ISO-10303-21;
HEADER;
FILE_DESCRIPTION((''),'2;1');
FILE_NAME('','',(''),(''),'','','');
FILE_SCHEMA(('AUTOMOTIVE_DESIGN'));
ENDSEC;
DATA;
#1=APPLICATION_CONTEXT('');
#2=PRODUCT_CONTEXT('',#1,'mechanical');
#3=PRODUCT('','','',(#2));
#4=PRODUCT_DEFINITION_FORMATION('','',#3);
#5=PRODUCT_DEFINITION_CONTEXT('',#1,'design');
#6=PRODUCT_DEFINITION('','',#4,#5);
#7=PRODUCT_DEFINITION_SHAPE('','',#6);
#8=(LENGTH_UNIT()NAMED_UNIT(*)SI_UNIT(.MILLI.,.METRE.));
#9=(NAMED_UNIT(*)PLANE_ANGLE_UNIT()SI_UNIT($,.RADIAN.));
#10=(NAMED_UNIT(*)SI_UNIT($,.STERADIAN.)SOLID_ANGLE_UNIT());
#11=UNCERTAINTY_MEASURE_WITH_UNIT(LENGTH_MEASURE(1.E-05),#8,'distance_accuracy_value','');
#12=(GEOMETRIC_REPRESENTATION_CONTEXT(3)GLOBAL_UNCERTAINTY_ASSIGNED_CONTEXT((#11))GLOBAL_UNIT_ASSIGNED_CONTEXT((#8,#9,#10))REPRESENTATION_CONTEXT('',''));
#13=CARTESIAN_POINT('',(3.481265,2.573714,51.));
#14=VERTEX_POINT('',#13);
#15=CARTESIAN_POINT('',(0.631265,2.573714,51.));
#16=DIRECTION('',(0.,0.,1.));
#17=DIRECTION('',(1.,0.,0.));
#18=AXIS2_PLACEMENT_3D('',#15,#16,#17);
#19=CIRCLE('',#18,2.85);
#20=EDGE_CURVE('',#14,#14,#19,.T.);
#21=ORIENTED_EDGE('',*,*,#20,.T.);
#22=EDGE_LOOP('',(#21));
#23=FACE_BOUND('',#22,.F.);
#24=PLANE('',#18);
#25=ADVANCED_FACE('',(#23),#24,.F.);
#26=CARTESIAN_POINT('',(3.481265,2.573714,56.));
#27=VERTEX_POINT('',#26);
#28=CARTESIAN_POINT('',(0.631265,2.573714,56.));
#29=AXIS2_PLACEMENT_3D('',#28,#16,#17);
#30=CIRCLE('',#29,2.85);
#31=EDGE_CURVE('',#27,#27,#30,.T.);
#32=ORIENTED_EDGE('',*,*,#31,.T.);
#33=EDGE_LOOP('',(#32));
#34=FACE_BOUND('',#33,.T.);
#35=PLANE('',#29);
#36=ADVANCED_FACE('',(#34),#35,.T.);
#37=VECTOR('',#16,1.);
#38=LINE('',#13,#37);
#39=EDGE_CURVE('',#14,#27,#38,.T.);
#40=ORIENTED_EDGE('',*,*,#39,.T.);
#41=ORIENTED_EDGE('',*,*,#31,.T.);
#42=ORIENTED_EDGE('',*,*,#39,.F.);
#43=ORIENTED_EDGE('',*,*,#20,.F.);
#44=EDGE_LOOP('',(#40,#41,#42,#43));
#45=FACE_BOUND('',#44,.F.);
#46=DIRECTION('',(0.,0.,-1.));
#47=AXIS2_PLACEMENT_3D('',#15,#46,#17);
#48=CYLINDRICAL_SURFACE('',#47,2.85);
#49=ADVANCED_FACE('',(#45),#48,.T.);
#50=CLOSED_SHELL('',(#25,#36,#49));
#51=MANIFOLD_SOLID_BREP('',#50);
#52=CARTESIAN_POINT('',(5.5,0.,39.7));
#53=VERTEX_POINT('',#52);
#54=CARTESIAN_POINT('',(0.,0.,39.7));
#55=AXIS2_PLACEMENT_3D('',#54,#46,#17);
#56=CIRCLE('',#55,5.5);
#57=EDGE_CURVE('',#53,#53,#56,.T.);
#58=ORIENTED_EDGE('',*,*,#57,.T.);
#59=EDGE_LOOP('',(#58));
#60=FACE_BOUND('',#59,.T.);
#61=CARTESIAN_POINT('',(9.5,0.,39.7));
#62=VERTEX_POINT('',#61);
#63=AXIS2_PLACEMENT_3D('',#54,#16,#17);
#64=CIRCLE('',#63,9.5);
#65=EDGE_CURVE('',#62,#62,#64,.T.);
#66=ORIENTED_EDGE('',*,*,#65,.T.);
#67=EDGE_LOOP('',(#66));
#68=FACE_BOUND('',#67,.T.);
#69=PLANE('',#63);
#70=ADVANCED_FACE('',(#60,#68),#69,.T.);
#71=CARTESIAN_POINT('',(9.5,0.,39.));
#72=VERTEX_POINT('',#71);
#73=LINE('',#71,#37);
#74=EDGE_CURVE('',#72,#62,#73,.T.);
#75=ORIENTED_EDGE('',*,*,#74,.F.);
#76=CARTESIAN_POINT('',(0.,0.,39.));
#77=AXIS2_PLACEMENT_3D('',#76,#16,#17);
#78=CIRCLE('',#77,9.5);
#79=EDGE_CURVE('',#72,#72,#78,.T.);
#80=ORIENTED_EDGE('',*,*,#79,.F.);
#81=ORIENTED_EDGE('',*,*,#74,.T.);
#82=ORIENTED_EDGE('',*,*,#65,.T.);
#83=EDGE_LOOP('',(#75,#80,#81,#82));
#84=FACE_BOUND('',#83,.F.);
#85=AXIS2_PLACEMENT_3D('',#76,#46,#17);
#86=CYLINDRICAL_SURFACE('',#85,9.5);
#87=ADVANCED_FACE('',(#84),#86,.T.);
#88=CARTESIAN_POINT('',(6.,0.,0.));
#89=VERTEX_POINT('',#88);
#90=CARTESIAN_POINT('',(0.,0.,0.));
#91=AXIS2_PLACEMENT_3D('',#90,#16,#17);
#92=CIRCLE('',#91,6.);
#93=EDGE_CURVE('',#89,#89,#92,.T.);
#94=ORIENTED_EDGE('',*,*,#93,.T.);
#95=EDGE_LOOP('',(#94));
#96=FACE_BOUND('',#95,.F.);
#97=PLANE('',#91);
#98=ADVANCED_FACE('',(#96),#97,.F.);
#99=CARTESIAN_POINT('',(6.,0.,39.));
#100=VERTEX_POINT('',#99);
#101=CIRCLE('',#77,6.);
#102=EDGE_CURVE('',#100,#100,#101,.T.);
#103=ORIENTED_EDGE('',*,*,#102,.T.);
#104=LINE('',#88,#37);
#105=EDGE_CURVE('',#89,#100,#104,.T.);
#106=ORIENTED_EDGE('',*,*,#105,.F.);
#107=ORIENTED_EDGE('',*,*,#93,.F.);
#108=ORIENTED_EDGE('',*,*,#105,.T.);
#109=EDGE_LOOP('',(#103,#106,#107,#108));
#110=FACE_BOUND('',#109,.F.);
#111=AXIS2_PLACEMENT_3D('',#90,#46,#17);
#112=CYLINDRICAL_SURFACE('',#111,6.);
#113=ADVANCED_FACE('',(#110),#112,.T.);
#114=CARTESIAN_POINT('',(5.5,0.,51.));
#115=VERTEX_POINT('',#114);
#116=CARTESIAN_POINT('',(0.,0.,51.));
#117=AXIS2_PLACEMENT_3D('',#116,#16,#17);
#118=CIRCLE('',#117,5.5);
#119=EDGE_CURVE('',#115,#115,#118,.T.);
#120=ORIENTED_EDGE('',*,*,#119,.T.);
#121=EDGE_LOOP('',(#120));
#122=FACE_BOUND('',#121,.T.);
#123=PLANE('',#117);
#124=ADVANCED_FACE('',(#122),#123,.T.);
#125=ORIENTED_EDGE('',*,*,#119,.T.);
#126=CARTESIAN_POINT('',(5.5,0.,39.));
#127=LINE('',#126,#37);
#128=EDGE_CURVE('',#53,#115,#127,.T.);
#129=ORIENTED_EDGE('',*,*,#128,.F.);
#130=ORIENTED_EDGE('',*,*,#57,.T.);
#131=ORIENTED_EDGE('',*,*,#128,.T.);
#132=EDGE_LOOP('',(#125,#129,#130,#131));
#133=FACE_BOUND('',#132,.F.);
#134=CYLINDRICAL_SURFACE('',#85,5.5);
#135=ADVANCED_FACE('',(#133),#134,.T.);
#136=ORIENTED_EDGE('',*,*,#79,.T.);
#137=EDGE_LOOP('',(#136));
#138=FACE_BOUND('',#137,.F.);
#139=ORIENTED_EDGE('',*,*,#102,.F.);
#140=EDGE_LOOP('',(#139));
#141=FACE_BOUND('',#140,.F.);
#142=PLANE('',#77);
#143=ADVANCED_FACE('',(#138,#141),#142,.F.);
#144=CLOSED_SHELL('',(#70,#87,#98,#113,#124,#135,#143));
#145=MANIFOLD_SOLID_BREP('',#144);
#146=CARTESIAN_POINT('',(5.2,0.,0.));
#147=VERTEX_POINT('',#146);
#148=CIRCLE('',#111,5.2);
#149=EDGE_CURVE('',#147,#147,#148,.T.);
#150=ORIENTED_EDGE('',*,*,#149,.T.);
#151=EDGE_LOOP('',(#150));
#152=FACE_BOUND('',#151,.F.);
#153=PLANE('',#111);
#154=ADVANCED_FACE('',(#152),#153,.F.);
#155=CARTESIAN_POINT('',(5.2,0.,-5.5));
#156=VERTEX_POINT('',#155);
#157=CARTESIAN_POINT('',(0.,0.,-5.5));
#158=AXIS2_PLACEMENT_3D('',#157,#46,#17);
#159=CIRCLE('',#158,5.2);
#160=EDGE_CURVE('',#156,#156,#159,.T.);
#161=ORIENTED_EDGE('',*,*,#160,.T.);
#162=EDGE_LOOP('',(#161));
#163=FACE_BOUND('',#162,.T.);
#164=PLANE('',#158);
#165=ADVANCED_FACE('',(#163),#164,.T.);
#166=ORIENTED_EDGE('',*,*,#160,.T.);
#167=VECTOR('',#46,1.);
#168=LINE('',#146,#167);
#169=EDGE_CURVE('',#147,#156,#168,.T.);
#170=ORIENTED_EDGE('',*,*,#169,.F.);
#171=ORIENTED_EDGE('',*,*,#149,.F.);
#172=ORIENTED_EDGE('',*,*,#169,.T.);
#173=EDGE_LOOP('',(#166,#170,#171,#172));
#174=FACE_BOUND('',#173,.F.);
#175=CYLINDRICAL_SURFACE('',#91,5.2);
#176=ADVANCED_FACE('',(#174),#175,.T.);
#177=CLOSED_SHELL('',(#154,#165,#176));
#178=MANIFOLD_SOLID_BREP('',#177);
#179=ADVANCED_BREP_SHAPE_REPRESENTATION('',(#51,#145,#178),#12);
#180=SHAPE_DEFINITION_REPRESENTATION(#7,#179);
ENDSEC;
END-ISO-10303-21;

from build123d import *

# Parameters (mm, degrees)
F0_R     = 6
F1_DEPTH = 39
F2_R     = 5.5
F3_DEPTH = 12
F4_R     = 5.2
F5_DEPTH = 5.5
F6_R     = 2.85
F7_DEPTH = 5
F8_R     = 9.5
F9_DEPTH = 0.7


with BuildPart() as f1:
    # F0 (on Top) → F1 (new body)
    with BuildSketch(Plane.XY):
        Circle(F0_R)
    extrude(amount=F1_DEPTH)

    # F2 (on face) → F3 (join)
    with BuildSketch(Plane.XY.offset(39)):
        Circle(F2_R)
    extrude(amount=F3_DEPTH)

    # F8 (on face) → F9 (join)
    with BuildSketch(Plane.XY.offset(39)):
        Circle(F8_R)
    extrude(amount=F9_DEPTH)


with BuildPart() as f5:
    # F4 (on face) → F5 (new body)
    with BuildSketch(Plane(origin=(0, 0, 0), x_dir=(1, 0, 0), z_dir=(0, 0, -1))):
        Circle(F4_R)
    extrude(amount=F5_DEPTH)


with BuildPart() as f7:
    # F6 (on face) → F7 (new body)
    with BuildSketch(Plane.XY.offset(51)):
        with Locations((0.631265, 2.573714)):
            Circle(F6_R)
    extrude(amount=F7_DEPTH)


solid = Compound([f1.part, f5.part, f7.part])
